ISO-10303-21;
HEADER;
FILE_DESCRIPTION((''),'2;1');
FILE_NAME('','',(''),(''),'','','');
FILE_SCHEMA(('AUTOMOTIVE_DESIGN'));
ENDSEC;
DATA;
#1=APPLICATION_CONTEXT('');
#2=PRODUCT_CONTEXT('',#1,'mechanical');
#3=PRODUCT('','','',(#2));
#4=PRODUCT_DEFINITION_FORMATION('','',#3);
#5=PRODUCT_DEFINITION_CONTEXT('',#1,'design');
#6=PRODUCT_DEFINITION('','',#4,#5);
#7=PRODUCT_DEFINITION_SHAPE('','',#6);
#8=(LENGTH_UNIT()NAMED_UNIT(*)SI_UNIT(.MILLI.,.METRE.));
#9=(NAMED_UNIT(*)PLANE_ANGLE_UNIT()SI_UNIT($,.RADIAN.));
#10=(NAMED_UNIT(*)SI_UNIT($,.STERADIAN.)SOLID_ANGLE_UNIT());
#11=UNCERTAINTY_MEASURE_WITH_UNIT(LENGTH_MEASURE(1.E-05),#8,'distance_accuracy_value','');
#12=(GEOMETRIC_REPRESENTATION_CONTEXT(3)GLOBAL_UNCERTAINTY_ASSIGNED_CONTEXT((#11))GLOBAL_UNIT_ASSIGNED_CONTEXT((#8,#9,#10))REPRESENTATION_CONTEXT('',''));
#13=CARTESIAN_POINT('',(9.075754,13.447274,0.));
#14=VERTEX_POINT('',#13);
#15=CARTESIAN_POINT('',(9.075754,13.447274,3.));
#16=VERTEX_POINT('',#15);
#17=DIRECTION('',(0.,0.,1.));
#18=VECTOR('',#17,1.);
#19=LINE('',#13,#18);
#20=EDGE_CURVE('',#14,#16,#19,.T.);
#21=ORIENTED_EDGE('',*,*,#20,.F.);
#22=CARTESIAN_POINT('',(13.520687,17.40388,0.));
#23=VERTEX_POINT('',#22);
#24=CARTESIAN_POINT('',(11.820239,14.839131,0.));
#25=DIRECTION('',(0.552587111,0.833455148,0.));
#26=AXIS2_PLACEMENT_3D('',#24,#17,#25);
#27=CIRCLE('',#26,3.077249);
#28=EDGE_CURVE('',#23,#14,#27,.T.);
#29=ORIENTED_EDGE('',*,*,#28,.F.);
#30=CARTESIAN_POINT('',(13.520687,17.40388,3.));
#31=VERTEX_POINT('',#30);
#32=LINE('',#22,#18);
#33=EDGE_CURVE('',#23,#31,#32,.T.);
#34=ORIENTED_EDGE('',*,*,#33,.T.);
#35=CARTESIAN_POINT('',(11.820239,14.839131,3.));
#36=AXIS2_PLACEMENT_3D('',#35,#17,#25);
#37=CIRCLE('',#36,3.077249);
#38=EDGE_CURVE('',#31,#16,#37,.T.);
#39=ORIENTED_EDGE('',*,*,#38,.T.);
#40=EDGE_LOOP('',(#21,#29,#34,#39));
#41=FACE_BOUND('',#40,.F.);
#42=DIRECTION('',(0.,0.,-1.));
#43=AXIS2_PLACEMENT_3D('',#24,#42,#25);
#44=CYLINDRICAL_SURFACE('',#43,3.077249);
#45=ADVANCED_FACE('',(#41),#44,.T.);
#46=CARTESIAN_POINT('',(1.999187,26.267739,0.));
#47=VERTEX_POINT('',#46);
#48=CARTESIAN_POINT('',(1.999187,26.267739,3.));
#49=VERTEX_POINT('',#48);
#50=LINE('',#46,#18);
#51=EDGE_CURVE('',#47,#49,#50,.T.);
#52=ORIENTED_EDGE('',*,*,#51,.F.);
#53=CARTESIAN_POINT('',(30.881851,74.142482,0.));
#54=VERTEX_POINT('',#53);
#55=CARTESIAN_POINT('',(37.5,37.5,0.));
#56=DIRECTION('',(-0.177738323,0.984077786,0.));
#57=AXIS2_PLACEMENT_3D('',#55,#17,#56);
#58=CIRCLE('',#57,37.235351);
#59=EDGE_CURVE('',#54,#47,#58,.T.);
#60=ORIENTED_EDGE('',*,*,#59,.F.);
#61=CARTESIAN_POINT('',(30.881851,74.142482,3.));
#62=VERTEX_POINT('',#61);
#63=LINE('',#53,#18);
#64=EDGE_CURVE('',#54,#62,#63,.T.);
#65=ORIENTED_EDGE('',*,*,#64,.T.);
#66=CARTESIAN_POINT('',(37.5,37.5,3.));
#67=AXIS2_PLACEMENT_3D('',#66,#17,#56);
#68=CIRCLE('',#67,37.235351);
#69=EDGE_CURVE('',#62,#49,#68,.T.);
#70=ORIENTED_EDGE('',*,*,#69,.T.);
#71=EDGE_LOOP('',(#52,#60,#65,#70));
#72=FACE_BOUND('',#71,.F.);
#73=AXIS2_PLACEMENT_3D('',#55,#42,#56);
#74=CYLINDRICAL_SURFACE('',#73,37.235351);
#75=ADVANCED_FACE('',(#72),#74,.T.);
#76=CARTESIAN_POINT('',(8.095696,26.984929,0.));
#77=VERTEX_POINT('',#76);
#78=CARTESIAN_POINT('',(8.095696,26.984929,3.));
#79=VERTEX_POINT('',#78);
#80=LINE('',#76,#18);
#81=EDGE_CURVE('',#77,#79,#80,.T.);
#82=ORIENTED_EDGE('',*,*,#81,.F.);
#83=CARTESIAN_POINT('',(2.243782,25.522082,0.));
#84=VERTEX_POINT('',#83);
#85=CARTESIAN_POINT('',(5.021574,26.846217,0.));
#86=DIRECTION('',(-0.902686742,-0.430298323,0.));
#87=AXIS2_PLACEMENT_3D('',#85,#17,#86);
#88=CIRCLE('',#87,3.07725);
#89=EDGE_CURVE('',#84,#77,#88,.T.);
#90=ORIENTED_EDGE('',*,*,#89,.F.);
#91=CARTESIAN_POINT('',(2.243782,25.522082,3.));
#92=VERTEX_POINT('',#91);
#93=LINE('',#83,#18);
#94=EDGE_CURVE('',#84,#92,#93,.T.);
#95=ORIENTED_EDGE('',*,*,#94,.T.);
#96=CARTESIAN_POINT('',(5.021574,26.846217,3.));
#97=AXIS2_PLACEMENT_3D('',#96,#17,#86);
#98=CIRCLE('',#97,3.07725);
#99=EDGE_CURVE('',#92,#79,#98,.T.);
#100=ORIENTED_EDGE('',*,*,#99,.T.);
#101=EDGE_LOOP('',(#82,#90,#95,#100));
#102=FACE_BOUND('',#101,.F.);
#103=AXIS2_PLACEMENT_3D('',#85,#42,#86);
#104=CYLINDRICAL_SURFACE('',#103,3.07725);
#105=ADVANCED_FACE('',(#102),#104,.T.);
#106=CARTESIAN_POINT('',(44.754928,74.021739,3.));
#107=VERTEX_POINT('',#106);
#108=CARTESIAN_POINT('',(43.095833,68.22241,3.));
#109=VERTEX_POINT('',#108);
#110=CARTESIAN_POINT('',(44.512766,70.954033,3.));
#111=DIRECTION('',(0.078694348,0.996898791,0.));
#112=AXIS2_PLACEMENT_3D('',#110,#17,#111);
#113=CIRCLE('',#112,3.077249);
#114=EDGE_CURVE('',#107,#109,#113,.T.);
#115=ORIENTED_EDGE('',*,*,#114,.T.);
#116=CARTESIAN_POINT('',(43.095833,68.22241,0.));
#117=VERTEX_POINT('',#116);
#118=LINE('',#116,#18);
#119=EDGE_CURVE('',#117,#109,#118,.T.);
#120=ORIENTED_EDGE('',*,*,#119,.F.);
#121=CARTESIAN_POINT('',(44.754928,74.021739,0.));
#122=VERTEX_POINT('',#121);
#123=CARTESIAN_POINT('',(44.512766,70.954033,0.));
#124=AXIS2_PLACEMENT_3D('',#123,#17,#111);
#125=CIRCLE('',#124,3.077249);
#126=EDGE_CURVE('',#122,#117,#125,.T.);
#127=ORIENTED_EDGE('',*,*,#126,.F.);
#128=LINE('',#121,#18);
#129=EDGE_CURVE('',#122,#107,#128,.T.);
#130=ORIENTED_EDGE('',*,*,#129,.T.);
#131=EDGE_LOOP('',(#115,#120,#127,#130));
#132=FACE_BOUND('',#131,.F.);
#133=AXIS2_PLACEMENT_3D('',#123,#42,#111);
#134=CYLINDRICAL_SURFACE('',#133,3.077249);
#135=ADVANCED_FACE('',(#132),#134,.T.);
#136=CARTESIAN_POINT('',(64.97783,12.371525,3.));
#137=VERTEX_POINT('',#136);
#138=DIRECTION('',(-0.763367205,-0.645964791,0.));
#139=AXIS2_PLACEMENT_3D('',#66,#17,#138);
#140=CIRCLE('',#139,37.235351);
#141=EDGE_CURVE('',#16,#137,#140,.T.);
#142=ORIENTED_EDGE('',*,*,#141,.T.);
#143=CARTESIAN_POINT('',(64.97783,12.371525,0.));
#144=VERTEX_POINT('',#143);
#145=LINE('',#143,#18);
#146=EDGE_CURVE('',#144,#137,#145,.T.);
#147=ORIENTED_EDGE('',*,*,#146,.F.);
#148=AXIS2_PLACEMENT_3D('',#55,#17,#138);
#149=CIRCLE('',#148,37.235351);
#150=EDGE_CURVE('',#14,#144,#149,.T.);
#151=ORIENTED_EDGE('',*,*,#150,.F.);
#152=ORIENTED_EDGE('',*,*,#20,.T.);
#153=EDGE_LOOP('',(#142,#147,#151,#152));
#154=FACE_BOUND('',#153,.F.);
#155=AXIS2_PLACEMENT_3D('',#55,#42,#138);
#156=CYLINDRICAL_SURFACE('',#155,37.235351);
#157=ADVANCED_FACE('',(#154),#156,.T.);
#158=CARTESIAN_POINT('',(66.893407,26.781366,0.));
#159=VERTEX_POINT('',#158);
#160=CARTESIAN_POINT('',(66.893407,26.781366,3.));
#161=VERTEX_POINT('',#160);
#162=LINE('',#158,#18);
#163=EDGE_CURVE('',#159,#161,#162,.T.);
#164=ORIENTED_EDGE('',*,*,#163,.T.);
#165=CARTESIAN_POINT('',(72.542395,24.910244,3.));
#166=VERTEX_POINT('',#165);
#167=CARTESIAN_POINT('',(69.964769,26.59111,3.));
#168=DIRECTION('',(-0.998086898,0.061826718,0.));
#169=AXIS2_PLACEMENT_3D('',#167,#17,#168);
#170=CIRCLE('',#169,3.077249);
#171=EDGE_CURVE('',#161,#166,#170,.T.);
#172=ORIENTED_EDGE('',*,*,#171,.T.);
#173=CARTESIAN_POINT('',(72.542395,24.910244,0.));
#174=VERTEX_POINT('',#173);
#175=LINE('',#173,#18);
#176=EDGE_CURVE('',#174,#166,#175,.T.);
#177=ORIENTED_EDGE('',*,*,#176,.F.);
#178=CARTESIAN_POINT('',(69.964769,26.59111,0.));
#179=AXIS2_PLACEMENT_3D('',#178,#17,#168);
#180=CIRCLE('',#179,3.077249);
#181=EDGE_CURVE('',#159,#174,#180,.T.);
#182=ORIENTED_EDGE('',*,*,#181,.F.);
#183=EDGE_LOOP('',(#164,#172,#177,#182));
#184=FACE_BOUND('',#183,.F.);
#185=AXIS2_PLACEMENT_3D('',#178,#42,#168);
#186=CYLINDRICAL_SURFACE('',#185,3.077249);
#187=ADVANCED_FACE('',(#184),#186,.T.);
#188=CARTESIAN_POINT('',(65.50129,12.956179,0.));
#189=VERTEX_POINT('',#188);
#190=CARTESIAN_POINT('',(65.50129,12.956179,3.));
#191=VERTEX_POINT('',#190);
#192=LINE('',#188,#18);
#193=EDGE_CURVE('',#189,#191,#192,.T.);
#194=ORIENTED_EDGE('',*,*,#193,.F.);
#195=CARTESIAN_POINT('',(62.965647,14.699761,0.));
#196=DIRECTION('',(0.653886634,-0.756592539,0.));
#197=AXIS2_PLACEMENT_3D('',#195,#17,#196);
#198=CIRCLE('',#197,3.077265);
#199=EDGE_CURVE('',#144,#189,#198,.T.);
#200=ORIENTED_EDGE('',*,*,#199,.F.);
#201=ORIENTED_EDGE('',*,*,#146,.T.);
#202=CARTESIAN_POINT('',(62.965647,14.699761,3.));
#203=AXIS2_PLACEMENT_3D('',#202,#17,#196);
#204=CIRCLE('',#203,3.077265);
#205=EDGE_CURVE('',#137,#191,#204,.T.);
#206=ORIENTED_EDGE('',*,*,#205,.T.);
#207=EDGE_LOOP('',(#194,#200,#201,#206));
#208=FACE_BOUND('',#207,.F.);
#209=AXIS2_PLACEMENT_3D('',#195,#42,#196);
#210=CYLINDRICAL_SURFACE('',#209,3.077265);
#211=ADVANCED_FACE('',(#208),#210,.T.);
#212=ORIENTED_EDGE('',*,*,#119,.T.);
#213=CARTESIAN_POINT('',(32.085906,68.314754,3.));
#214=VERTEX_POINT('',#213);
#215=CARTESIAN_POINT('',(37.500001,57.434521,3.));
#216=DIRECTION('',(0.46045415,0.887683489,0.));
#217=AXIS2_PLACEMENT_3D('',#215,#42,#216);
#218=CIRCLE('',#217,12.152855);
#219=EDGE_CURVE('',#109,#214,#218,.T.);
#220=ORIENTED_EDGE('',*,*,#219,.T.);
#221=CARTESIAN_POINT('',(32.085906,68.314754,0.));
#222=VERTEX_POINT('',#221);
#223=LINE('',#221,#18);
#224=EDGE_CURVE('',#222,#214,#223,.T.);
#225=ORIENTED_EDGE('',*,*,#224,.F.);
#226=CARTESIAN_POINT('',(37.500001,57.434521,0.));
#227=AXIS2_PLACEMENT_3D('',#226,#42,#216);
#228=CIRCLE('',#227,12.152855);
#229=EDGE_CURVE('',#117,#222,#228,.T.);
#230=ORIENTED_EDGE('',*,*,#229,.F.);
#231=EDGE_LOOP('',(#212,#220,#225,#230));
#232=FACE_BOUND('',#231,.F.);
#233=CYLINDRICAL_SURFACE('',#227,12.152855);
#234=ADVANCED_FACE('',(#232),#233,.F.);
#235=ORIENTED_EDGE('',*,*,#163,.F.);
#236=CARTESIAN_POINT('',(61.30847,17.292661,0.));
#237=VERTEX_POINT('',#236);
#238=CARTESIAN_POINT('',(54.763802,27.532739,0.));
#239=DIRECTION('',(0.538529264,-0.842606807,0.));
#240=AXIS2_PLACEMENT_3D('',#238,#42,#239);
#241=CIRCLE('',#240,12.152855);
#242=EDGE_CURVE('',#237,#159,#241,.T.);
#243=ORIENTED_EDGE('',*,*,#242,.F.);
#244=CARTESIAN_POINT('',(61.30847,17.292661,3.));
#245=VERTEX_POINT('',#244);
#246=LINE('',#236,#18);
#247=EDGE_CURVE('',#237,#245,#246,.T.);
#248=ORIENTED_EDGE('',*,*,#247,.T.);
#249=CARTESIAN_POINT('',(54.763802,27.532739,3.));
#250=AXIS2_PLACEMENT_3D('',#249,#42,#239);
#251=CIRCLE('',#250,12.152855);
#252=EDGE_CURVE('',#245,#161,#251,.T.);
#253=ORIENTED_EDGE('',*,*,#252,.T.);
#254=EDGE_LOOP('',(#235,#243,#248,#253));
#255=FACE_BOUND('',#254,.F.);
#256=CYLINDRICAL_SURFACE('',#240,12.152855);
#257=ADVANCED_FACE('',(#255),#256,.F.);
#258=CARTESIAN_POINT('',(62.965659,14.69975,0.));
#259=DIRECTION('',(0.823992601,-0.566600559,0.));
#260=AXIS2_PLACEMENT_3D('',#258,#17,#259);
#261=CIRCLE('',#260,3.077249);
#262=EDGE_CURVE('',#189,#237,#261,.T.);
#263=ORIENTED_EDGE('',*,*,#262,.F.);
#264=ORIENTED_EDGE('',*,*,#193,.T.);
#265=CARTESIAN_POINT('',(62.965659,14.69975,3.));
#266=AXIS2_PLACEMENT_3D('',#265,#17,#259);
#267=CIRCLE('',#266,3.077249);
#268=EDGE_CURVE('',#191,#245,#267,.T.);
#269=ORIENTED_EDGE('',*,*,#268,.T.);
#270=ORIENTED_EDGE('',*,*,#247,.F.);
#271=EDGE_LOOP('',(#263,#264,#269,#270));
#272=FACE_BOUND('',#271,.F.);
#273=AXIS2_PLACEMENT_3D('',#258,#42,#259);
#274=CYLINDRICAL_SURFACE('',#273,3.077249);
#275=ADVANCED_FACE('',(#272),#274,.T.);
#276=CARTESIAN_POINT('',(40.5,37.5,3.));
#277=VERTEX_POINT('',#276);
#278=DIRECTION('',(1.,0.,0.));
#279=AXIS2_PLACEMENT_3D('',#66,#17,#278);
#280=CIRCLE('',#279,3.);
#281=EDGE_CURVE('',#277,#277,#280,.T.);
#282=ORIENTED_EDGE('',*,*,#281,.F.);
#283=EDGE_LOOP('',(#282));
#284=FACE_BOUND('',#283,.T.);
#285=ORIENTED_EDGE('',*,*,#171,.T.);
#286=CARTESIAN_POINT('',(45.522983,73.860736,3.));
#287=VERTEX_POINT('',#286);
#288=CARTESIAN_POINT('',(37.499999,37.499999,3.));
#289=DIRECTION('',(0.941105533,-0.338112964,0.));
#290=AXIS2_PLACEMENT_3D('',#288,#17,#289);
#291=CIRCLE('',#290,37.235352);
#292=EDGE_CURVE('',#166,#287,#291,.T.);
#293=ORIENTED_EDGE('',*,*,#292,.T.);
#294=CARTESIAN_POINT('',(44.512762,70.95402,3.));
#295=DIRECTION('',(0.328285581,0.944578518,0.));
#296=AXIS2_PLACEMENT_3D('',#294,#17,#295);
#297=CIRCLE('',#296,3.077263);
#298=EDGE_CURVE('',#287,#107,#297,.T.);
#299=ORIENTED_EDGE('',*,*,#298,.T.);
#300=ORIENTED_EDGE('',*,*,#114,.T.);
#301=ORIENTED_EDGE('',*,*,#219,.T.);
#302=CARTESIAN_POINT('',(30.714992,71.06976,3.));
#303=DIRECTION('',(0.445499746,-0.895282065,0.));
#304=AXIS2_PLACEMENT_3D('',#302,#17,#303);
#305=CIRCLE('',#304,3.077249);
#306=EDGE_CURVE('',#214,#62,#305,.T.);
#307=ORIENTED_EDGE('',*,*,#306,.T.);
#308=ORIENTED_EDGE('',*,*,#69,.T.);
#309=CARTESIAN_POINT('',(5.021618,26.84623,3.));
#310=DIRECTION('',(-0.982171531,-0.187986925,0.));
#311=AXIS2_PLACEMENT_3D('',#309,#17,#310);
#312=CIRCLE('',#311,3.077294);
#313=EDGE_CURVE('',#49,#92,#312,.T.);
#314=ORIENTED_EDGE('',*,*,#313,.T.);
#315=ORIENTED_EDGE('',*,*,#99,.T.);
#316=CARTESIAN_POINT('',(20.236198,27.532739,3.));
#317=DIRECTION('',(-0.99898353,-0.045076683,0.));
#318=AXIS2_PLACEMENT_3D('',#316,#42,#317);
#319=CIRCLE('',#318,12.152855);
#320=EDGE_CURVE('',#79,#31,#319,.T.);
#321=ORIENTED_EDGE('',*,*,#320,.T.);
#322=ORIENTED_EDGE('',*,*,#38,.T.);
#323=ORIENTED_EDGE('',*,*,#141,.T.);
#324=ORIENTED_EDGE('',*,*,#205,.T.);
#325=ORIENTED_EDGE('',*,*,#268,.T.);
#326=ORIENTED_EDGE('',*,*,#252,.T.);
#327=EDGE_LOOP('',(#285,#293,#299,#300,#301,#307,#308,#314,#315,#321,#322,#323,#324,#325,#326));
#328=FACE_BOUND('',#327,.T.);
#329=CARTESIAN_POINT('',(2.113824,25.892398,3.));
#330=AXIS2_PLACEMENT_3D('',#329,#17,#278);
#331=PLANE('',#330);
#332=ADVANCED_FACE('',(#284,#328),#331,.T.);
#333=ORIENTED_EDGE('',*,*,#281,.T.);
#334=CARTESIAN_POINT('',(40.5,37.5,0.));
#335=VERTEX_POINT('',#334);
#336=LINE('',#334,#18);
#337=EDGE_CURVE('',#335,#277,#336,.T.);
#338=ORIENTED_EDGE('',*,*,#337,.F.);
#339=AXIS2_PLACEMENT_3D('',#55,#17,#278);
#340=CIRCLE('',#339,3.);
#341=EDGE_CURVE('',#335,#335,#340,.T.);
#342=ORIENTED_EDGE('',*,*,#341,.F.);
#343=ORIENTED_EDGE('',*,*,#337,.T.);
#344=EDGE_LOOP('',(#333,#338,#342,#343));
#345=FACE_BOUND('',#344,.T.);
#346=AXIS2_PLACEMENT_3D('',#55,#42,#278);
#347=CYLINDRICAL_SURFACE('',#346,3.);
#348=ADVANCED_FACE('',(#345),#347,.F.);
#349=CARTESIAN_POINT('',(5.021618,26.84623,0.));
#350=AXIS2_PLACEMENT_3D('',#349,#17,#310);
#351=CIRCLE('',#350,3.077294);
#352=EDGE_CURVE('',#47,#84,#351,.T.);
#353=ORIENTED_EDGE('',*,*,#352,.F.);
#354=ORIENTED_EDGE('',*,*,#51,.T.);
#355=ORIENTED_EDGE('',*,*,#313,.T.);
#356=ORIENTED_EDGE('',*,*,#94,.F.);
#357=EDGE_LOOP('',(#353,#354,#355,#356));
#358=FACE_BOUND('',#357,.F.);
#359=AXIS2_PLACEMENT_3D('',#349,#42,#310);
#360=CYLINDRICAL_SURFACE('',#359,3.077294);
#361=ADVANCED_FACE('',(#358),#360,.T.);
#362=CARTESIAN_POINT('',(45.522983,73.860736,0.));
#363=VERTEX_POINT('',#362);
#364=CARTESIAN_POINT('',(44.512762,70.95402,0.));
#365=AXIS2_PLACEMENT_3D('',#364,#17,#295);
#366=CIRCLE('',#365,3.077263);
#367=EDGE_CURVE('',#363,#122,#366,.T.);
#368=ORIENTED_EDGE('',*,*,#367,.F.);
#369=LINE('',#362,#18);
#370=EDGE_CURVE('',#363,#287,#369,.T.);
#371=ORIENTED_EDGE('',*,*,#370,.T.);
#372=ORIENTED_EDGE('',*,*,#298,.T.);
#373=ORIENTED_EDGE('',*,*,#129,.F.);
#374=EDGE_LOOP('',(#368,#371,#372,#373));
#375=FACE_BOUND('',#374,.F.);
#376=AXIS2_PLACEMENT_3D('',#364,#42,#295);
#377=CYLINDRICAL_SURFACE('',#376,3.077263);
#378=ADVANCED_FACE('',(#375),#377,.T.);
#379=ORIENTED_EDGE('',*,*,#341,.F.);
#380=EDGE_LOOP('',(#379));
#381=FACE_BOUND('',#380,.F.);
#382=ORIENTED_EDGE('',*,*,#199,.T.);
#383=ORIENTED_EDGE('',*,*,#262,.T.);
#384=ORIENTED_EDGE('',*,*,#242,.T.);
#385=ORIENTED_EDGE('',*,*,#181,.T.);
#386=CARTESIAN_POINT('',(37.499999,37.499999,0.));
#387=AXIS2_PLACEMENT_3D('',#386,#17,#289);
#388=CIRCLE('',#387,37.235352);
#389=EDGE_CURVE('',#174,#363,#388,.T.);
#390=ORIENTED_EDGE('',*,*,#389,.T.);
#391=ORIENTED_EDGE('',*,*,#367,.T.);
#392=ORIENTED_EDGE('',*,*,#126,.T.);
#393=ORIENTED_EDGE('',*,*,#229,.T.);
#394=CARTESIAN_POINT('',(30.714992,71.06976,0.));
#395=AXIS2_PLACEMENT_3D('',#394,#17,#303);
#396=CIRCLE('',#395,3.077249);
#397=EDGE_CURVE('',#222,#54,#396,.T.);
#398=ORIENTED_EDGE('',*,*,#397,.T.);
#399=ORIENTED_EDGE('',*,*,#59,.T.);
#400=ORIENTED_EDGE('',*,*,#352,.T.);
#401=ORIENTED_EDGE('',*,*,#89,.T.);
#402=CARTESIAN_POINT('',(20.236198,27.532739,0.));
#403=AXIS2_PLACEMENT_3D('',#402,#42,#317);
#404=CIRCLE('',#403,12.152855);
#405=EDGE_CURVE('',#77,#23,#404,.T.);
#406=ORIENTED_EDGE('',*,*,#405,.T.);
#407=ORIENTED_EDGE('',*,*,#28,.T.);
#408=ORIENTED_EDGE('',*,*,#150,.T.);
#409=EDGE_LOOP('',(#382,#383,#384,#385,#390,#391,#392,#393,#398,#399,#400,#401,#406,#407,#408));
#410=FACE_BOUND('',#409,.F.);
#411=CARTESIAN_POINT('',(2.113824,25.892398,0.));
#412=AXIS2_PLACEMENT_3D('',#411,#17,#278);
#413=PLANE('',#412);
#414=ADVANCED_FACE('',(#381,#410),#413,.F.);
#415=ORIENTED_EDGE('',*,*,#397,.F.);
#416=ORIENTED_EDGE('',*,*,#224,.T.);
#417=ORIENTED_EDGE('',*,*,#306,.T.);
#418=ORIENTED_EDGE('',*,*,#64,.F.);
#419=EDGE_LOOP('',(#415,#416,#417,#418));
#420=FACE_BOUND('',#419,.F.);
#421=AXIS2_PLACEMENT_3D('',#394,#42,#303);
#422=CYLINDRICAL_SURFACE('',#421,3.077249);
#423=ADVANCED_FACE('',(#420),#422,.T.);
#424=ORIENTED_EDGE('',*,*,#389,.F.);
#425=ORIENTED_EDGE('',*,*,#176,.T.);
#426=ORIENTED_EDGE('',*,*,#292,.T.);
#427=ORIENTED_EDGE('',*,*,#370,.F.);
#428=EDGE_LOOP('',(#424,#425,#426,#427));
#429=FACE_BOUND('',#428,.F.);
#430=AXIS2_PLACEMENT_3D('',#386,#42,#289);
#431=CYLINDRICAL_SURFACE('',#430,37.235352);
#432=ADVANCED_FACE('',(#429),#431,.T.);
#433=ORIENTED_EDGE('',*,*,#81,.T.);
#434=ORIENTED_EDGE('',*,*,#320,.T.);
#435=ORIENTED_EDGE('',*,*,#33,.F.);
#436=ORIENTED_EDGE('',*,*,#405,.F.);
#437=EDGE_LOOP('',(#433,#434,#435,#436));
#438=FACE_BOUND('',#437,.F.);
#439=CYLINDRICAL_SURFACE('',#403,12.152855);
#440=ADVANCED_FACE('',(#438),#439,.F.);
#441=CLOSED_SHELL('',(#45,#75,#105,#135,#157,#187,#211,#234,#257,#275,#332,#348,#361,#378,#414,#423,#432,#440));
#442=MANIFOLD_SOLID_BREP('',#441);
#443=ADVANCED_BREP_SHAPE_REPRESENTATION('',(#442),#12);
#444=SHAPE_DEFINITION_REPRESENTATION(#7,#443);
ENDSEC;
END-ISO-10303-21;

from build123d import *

# Parameters (mm, degrees)
F0_R     = 3
F1_DEPTH = 3


with BuildPart() as f1:
    # F0 (on Top) → F1 (new body)
    with BuildSketch(Plane.XY):
        with BuildLine():
            ThreePointArc((2.243782, 25.522082), (2.11952, 25.894266), (1.999187, 26.267739))
            ThreePointArc((1.999187, 26.267739), (2.097618, 25.887082), (2.243782, 25.522082))
        make_face()
        with BuildLine():
            ThreePointArc((45.522983, 73.860736), (45.144109, 73.965821), (44.754928, 74.021739))
            ThreePointArc((44.754928, 74.021739), (45.13938, 73.943261), (45.522983, 73.860736))
        make_face()
        with BuildLine():
            ThreePointArc((65.50129, 12.956179), (65.2411, 12.662473), (64.97783, 12.371525))
            ThreePointArc((64.97783, 12.371525), (65.258273, 12.647097), (65.50129, 12.956179))
        make_face()
        with BuildLine():
            ThreePointArc((32.085906, 68.314754), (33.728593, 71.692394), (30.881851, 74.142482))
            ThreePointArc((30.881851, 74.142482), (5.617411, 56.734654), (1.999187, 26.267739))
            ThreePointArc((1.999187, 26.267739), (2.11952, 25.894266), (2.243782, 25.522082))
            ThreePointArc((2.243782, 25.522082), (5.767854, 23.860831), (8.095696, 26.984929))
            ThreePointArc((8.095696, 26.984929), (30.811472, 33.520681), (13.520687, 17.40388))
            ThreePointArc((13.520687, 17.40388), (9.774222, 17.137669), (9.075754, 13.447274))
            ThreePointArc((9.075754, 13.447274), (36.783596, 0.271541), (64.97783, 12.371525))
            ThreePointArc((64.97783, 12.371525), (65.2411, 12.662473), (65.50129, 12.956179))
            ThreePointArc((65.50129, 12.956179), (65.17794, 16.83874), (61.30847, 17.292661))
            ThreePointArc((61.30847, 17.292661), (44.290455, 33.697224), (66.893407, 26.781366))
            ThreePointArc((66.893407, 26.781366), (68.997185, 23.669938), (72.542395, 24.910244))
            ThreePointArc((72.542395, 24.910244), (70.098993, 55.493805), (45.522983, 73.860736))
            ThreePointArc((45.522983, 73.860736), (45.13938, 73.943261), (44.754928, 74.021739))
            ThreePointArc((44.754928, 74.021739), (41.554206, 71.800429), (43.095833, 68.22241))
            ThreePointArc((43.095833, 68.22241), (37.398073, 45.282094), (32.085906, 68.314754))
        make_face()
        with Locations((37.5, 37.5)):
            Circle(F0_R, mode=Mode.SUBTRACT)
    extrude(amount=F1_DEPTH)


solid = f1.part
